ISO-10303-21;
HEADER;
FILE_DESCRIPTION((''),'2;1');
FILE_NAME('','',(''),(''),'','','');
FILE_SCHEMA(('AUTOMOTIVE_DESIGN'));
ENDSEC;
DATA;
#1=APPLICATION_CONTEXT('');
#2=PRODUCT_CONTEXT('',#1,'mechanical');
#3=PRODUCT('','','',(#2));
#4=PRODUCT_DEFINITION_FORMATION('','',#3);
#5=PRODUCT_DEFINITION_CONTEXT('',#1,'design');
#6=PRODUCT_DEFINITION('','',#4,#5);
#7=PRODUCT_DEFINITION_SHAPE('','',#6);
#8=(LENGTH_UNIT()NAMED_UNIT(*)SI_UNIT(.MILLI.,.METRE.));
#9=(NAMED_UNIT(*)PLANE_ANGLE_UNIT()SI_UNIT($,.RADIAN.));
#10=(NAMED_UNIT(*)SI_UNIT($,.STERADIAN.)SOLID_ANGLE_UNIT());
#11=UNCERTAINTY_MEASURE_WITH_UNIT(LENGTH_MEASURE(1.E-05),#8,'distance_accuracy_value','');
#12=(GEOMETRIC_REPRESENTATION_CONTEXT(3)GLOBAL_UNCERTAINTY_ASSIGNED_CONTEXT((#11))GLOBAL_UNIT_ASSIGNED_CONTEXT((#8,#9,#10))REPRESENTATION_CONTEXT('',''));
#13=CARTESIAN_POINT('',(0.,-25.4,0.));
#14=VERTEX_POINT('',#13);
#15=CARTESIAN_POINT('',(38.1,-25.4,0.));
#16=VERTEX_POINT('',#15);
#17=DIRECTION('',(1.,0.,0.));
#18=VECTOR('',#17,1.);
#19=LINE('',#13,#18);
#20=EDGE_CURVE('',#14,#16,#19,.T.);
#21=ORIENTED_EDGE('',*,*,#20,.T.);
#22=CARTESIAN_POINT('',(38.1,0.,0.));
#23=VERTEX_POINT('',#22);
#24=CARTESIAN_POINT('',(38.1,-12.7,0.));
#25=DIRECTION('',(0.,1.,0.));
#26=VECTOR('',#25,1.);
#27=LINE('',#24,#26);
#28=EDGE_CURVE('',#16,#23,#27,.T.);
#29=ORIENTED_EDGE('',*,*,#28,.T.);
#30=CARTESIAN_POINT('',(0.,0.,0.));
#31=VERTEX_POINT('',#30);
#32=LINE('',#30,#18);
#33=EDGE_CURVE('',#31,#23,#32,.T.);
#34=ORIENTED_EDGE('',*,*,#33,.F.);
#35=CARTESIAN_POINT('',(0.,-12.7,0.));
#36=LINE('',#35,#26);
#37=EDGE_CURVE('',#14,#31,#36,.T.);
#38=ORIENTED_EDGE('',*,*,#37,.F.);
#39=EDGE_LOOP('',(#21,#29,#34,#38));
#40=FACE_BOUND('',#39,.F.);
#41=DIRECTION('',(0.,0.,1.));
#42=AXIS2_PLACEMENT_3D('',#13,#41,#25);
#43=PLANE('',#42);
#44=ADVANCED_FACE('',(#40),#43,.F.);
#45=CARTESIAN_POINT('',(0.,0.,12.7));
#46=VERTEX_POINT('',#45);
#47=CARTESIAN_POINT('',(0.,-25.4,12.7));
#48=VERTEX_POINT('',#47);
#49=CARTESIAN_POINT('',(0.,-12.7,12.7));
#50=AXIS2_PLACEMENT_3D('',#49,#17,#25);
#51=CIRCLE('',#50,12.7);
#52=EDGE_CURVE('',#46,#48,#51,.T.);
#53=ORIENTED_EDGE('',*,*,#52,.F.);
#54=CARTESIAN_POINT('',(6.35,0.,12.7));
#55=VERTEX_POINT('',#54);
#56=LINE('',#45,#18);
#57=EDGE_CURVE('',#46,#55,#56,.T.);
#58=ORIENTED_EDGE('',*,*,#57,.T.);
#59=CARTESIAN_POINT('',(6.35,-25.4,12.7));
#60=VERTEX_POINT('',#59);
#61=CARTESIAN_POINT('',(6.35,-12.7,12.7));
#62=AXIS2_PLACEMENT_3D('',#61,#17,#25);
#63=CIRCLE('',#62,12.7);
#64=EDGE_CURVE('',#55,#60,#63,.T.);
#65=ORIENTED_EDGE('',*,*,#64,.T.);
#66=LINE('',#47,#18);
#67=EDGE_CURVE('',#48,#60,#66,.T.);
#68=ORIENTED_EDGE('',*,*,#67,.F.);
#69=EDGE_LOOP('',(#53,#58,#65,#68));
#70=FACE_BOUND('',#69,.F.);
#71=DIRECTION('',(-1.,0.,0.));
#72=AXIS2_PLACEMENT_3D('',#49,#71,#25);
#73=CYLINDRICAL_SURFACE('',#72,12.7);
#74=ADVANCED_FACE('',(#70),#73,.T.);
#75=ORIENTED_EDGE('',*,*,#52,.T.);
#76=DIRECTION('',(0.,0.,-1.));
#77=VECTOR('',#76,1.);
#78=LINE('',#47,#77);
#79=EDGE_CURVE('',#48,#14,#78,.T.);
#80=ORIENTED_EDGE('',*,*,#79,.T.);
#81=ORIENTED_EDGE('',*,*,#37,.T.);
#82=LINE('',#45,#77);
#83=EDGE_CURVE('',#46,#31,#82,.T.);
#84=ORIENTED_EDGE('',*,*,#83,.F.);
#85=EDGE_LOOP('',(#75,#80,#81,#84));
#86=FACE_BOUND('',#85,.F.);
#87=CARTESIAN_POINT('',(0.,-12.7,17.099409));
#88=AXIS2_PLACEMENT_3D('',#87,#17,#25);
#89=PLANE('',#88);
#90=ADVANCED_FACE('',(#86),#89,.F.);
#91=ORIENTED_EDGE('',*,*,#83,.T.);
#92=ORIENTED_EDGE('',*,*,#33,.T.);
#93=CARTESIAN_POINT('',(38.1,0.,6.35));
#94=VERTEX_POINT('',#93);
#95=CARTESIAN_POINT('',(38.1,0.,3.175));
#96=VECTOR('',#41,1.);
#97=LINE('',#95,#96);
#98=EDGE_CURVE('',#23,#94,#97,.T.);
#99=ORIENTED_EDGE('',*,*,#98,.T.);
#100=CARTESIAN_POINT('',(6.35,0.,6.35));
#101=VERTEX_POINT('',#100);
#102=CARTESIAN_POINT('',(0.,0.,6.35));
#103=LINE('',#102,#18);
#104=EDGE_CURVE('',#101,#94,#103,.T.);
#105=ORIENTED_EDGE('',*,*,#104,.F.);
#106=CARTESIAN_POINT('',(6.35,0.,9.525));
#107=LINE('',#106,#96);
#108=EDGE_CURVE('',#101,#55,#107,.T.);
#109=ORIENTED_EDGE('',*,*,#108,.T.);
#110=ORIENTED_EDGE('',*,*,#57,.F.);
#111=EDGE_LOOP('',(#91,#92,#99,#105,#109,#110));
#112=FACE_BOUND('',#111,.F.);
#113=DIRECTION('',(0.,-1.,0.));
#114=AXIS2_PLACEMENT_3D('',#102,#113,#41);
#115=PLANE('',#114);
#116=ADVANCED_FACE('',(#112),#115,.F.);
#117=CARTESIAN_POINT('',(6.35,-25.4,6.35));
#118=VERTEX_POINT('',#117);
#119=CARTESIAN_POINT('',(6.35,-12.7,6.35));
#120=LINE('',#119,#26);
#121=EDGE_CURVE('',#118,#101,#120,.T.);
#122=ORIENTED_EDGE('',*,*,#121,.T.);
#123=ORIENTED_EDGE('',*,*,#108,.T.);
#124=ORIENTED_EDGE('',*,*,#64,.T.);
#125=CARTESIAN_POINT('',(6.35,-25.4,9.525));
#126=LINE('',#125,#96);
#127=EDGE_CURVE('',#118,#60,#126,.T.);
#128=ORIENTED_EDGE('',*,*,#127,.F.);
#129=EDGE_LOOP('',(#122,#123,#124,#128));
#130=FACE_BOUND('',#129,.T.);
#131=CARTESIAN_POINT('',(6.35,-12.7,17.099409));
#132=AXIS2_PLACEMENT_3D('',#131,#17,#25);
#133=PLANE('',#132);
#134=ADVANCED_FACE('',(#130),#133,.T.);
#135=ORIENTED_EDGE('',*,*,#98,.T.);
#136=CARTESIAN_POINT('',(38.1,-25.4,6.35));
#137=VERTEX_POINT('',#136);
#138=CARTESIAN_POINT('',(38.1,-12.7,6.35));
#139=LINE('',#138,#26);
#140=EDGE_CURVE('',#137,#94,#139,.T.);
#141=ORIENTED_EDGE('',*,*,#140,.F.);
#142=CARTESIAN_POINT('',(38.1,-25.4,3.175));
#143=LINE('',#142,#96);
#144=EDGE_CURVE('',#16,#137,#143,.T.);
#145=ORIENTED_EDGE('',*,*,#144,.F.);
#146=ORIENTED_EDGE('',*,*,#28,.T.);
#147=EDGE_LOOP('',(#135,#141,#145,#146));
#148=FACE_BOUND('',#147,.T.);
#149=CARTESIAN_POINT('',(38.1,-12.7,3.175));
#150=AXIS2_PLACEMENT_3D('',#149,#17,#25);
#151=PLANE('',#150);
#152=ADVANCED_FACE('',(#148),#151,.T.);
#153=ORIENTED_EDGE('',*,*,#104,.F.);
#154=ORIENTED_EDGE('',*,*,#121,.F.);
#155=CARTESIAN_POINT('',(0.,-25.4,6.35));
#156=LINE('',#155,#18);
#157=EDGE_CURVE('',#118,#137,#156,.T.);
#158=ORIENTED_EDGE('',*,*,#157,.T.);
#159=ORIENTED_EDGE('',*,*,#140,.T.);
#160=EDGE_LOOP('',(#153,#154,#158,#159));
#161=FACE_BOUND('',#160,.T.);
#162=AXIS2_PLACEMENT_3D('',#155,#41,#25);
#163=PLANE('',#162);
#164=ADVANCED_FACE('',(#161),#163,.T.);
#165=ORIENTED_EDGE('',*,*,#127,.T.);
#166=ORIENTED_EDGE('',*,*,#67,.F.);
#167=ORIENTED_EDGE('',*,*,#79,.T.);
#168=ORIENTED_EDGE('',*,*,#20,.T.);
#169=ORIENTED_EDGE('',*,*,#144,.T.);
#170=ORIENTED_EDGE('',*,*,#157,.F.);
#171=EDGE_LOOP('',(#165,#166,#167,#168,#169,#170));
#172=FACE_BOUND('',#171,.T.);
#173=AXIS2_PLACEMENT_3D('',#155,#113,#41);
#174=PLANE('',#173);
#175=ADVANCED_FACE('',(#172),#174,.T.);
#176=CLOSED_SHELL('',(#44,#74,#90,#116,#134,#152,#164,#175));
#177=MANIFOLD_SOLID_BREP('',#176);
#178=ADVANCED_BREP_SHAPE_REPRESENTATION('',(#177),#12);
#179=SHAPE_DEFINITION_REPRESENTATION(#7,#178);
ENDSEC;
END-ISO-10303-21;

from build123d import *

# Parameters (mm, degrees)
F0_W     = 25.4
F0_H     = 6.35
F1_DEPTH = 38.1
F2_W     = 25.4
F2_H     = 6.35
F3_DEPTH = 6.35
F5_DEPTH = 6.35


with BuildPart() as f1:
    # F0 (on Right) → F1 (new body)
    with BuildSketch(Plane.YZ):
        with Locations((-12.7, 3.175)):
            Rectangle(F0_W, F0_H)
    extrude(amount=F1_DEPTH)

    # F2 (on Right) → F3 (join)
    with BuildSketch(Plane.YZ):
        with Locations((-12.7, 9.525)):
            Rectangle(F2_W, F2_H)
    extrude(amount=F3_DEPTH)

    # F4 (on Right) → F5 (join)
    with BuildSketch(Plane.YZ):
        with BuildLine():
            Line((-25.4, 12.7), (0, 12.7))
            ThreePointArc((0, 12.7), (-12.7, 25.4), (-25.4, 12.7))
        make_face()
    extrude(amount=F5_DEPTH)


solid = f1.part
